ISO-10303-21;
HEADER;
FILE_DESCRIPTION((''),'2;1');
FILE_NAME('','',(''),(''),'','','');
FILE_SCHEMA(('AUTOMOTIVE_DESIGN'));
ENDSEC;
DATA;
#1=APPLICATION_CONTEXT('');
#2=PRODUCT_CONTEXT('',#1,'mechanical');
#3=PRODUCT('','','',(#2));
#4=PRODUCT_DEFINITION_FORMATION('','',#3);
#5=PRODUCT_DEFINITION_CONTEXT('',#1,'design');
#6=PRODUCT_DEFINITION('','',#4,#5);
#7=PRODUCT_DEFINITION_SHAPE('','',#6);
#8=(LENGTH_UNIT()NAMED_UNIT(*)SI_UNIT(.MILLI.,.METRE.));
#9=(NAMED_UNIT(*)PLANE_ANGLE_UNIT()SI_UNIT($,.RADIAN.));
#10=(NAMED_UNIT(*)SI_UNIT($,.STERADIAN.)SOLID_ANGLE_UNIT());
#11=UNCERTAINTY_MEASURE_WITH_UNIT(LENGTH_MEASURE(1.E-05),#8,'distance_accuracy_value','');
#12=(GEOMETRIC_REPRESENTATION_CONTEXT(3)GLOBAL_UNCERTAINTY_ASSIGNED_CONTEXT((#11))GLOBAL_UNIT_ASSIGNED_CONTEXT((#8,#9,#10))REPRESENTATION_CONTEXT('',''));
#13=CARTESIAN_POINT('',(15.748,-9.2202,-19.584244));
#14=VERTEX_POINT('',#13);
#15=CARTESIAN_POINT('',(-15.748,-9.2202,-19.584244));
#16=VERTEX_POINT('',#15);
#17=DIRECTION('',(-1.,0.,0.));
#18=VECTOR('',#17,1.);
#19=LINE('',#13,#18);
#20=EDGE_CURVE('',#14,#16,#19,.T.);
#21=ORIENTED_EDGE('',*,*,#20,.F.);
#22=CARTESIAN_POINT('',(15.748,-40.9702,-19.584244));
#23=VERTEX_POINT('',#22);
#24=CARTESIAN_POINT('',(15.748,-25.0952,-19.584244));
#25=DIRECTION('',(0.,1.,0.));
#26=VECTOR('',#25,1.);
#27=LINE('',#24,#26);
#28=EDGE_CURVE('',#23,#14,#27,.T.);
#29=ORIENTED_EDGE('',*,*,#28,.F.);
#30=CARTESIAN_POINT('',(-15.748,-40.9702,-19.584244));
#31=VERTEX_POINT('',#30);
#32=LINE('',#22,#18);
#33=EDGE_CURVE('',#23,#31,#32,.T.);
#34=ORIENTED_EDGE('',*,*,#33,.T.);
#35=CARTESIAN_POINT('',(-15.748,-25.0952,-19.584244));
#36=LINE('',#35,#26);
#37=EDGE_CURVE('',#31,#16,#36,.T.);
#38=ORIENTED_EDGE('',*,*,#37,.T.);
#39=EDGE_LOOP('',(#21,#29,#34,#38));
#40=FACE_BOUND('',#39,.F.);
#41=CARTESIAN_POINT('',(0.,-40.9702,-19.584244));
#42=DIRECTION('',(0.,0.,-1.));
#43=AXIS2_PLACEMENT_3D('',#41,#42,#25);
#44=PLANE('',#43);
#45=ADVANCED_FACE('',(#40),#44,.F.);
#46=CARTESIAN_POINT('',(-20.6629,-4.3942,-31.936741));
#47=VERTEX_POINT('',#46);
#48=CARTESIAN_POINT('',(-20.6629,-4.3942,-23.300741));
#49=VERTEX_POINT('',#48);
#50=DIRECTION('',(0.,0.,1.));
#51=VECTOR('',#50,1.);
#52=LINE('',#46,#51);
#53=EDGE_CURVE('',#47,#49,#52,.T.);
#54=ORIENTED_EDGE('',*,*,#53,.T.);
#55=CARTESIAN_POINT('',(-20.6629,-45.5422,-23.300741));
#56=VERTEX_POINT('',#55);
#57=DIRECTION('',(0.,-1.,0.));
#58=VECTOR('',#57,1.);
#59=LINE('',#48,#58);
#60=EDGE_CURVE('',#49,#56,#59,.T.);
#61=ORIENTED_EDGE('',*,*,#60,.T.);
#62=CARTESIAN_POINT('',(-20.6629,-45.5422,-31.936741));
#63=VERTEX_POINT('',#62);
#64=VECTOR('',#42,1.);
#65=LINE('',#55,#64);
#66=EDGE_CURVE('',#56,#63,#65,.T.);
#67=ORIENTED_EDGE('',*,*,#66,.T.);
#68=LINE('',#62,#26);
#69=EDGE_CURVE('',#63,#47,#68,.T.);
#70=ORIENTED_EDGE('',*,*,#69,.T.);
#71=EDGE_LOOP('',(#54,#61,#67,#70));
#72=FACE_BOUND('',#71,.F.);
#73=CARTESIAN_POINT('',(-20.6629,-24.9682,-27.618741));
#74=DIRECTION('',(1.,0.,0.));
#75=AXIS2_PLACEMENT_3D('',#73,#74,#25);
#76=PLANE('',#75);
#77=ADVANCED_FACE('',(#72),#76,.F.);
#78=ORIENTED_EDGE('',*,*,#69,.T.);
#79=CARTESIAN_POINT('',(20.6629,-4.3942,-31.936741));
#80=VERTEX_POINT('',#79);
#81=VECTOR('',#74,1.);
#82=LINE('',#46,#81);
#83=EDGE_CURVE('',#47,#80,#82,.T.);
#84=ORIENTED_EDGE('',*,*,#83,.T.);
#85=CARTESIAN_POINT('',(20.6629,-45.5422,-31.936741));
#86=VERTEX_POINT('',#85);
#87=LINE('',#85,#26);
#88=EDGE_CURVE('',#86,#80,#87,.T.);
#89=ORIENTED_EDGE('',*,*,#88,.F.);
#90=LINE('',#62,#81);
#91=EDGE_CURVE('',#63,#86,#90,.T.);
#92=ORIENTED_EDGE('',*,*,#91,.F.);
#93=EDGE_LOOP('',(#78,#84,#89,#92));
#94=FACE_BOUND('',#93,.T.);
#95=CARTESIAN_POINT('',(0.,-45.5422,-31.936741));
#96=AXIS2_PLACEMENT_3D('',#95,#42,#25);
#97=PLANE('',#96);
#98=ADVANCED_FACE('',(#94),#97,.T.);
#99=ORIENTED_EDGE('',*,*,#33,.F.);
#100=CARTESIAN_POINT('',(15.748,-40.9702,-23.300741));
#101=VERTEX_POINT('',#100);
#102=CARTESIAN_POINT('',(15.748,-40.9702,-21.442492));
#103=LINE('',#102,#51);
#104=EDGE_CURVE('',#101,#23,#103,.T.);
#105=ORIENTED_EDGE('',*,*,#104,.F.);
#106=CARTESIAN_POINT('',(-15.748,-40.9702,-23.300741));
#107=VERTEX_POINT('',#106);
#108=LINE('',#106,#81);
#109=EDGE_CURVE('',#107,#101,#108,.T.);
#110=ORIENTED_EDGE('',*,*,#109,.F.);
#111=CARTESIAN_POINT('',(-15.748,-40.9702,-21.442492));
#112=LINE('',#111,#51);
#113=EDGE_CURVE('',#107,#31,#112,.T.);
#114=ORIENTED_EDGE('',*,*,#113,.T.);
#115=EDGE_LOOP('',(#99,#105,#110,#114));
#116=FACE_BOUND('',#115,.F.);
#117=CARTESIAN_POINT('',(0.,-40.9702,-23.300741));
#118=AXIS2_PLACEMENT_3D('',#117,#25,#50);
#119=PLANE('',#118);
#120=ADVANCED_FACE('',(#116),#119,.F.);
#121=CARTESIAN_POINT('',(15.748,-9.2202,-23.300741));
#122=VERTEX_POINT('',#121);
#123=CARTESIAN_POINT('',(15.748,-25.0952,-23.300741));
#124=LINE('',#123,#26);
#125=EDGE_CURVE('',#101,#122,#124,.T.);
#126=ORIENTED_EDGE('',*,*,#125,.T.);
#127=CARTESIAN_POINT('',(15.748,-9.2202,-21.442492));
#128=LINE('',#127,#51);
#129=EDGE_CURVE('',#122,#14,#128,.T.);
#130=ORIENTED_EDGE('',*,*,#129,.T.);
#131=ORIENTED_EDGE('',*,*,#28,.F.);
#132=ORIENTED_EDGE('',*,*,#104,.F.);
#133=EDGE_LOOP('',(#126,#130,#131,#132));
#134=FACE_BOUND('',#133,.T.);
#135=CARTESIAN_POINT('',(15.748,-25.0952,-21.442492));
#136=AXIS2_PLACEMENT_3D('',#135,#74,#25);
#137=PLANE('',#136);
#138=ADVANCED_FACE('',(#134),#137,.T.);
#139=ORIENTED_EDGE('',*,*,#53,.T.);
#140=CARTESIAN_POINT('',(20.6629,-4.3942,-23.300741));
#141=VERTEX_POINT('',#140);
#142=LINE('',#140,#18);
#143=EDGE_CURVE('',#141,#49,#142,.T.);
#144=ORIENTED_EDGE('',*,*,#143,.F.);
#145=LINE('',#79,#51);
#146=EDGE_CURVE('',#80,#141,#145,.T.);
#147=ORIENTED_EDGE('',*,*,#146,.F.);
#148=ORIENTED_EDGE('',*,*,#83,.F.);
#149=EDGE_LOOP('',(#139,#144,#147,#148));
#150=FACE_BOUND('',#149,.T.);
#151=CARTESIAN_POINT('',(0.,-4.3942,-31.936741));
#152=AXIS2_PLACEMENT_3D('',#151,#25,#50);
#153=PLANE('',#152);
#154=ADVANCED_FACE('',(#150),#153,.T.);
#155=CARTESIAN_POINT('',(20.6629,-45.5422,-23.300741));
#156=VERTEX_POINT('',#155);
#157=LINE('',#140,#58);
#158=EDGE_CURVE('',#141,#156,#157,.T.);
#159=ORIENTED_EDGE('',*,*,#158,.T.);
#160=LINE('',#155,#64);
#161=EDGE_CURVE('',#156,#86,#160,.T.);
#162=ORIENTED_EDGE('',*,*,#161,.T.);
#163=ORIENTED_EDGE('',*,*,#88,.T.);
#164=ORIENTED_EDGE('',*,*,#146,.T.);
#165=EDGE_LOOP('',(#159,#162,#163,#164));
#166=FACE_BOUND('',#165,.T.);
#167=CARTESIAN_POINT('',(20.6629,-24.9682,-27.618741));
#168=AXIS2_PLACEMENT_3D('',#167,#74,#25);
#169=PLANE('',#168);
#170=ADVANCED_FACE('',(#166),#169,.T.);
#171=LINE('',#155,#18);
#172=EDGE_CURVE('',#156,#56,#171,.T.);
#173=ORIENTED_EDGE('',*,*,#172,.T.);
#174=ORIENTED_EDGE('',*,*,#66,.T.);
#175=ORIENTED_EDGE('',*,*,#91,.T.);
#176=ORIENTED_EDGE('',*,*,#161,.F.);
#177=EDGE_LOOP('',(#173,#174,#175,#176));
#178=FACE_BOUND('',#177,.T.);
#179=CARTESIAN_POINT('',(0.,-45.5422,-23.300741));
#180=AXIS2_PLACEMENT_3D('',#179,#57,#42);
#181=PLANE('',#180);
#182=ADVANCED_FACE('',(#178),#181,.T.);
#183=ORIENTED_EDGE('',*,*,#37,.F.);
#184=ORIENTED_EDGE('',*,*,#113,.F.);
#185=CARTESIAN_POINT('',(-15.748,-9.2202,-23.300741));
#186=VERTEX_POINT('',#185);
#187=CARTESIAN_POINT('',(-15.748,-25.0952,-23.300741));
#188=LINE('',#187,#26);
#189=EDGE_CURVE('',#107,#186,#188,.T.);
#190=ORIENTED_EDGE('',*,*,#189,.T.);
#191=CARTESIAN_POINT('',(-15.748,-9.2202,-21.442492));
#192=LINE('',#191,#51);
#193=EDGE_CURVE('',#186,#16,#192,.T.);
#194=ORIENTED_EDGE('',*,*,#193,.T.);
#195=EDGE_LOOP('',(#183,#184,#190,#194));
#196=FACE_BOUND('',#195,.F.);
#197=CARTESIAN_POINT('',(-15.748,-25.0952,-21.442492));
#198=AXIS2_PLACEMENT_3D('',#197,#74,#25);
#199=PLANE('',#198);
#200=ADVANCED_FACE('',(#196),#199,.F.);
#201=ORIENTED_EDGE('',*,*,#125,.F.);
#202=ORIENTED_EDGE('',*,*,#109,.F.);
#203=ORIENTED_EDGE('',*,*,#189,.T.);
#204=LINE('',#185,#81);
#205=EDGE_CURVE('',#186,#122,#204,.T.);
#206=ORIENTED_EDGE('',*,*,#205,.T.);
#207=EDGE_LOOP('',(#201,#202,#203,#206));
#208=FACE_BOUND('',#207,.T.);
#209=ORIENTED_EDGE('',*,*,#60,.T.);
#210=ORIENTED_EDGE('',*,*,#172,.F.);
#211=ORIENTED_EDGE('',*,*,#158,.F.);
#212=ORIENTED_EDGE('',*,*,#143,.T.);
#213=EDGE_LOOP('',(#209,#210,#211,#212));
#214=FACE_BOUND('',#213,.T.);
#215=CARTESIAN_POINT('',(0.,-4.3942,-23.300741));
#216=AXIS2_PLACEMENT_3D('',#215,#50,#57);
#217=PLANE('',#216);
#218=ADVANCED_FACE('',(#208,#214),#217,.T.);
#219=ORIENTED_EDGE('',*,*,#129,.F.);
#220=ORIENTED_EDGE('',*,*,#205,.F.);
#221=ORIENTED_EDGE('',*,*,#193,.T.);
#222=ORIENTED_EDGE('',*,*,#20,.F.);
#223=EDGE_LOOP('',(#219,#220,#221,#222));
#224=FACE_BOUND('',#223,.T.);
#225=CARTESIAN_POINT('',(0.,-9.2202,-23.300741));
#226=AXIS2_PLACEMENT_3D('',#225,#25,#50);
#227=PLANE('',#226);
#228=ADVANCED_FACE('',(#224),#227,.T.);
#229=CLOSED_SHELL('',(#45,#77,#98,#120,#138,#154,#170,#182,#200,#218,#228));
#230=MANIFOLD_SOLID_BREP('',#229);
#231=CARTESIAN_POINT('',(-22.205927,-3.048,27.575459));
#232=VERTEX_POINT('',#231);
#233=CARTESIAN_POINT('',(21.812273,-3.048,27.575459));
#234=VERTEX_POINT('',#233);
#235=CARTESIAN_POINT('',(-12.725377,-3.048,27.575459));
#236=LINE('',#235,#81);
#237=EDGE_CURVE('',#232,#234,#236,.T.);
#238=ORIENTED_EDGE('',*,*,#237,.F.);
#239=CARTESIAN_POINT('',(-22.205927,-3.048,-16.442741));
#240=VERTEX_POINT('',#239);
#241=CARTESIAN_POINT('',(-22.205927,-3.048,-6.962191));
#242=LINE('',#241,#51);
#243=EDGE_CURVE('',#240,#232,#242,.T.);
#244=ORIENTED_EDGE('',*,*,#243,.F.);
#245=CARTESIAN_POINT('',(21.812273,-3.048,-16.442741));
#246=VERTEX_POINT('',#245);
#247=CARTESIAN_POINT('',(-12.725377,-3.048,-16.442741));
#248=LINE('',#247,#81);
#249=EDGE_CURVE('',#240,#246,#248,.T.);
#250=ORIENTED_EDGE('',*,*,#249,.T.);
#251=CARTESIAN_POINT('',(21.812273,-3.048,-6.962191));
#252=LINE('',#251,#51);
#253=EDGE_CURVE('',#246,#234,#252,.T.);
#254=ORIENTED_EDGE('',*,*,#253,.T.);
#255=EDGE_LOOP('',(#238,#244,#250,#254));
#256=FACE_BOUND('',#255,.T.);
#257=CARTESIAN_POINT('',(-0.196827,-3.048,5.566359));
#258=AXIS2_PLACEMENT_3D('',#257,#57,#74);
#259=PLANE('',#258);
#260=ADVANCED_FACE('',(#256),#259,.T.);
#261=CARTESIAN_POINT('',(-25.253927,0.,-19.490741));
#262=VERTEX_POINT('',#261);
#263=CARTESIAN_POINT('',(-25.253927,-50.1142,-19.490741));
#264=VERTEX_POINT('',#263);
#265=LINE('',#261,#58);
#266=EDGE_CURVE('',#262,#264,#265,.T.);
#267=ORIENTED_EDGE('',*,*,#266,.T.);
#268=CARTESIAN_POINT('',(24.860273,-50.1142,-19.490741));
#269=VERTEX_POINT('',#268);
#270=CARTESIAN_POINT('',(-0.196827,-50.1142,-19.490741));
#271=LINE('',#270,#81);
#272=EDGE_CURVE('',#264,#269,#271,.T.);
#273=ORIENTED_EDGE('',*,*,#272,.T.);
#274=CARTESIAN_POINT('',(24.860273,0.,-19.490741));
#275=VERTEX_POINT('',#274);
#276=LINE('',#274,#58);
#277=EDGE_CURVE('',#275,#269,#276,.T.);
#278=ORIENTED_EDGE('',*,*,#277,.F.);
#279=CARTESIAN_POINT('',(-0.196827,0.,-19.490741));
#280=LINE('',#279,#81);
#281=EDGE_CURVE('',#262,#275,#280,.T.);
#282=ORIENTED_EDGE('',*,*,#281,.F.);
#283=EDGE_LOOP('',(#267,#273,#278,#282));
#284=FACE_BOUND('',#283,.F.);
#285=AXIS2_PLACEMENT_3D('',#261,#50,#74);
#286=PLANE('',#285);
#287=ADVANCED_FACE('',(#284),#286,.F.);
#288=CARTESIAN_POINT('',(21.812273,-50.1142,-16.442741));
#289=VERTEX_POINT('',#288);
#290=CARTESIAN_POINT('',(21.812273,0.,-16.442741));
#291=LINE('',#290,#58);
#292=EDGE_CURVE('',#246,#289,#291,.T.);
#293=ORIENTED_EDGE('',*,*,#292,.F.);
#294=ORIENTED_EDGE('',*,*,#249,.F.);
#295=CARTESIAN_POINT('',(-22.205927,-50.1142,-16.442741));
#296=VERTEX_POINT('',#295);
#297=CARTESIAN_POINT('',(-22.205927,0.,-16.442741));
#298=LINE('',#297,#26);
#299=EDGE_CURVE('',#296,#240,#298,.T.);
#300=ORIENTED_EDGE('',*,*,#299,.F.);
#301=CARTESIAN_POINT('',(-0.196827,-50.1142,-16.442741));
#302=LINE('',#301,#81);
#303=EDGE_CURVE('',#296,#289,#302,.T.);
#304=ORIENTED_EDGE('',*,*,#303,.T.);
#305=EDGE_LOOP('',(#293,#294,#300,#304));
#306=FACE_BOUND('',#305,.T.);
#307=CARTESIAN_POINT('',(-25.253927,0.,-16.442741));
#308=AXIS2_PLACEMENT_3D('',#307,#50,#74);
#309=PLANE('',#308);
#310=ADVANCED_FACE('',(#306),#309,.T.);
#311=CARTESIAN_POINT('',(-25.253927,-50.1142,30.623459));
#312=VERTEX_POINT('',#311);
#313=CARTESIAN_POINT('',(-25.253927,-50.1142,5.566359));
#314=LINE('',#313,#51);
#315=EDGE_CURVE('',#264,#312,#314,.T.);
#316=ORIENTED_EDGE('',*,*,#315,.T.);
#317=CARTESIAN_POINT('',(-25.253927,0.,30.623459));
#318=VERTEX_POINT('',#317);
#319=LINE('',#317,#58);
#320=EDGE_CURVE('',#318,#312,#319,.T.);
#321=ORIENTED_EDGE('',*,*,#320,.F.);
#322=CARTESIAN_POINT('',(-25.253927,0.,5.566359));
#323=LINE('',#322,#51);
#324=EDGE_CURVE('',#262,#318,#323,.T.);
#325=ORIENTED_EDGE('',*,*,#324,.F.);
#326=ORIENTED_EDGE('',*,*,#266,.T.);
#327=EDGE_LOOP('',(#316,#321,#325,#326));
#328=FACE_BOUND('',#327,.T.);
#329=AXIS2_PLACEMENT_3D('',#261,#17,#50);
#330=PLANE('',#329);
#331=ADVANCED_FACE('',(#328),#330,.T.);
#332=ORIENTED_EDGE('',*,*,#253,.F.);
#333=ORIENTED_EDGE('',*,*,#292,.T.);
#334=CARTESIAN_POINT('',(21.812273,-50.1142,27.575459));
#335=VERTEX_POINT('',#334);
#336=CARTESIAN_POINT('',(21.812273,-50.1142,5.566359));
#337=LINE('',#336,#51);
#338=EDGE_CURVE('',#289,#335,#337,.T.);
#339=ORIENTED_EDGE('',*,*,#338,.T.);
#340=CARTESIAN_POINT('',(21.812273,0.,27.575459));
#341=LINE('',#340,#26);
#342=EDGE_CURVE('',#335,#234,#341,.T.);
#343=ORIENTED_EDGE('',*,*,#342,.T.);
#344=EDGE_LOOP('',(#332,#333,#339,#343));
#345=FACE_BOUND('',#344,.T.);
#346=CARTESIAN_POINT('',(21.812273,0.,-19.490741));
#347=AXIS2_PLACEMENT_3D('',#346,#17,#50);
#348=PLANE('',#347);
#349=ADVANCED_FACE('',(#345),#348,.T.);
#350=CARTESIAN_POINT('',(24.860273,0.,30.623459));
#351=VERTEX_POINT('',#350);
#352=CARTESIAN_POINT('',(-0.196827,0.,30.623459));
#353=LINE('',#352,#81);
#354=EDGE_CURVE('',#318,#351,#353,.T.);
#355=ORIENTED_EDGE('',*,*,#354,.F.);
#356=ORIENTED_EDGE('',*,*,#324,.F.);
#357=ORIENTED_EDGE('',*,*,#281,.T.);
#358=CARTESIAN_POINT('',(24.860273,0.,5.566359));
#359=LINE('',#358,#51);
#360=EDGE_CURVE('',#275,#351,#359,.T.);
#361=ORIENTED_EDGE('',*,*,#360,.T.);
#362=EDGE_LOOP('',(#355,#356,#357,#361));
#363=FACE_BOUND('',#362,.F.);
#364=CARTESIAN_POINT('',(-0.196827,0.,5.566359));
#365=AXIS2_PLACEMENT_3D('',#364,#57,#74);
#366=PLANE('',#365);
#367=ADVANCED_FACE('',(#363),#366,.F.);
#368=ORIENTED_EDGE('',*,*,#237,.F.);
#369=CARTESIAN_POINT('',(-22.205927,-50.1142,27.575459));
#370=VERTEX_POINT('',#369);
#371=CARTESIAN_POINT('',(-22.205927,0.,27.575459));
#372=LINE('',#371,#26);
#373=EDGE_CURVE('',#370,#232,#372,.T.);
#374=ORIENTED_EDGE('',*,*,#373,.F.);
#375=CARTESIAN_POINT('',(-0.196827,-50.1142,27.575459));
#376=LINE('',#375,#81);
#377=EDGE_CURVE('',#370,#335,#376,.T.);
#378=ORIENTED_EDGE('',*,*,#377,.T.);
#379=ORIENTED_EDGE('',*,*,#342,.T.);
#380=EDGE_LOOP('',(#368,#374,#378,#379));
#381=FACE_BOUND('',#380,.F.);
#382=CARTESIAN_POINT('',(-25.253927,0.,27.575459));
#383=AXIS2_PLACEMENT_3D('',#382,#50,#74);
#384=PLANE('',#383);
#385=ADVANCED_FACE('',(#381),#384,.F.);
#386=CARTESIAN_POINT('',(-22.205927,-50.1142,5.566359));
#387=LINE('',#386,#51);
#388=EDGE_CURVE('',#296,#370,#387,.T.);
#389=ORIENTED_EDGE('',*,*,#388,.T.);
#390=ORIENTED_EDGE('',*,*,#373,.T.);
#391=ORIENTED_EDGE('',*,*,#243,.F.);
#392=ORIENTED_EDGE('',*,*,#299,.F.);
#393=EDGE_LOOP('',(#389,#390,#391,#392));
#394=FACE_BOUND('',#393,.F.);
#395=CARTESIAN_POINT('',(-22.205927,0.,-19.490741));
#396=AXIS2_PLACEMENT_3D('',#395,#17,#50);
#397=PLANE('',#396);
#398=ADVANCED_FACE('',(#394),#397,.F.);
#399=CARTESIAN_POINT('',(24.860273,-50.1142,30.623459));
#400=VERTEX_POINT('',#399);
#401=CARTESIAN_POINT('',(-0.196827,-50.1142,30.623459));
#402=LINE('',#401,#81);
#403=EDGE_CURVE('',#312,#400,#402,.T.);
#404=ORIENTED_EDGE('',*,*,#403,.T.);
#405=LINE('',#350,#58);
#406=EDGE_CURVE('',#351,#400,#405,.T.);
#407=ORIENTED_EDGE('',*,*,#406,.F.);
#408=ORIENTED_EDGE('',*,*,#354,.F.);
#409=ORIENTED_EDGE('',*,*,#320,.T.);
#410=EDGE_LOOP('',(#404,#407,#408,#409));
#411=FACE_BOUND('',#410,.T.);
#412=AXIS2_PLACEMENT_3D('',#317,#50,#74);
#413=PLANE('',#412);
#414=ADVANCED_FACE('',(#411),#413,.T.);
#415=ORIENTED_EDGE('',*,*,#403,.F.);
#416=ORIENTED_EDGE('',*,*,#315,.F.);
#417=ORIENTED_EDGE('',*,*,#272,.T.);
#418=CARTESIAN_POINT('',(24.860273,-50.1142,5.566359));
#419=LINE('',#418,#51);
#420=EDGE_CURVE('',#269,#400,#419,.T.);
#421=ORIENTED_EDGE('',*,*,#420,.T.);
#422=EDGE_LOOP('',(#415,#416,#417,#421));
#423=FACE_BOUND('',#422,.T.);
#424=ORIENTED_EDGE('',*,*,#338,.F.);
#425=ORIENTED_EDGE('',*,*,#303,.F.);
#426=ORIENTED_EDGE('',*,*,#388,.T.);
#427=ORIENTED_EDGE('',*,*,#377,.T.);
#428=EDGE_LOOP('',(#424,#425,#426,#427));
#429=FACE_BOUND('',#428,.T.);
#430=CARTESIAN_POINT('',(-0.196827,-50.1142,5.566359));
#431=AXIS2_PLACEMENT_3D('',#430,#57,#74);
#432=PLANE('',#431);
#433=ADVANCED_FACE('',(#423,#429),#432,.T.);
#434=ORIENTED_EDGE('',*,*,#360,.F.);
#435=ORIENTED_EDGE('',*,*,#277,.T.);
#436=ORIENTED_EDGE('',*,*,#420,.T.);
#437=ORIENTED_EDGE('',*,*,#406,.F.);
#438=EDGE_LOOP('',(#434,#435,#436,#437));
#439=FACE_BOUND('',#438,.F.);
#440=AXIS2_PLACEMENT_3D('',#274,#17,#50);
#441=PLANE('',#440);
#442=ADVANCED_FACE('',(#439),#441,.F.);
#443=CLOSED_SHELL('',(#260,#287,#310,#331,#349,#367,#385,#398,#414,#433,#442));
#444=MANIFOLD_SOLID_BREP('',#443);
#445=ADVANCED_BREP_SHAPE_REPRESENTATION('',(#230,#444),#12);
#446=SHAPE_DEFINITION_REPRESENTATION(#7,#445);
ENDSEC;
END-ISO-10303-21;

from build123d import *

# Parameters (mm, degrees)
F0_W     = 50.1142
F0_H     = 50.1142
F1_DEPTH = 50.1142
F2_T     = -3.048
F3_W     = 31.75
F3_H     = 3.7164964166
F4_DEPTH = 15.748
F5_DEPTH = 20.6629


with BuildPart() as f1:
    # F0 (on Front) → F1 (new body)
    with BuildSketch(Plane.XZ):
        with Locations((-0.1968266442, 5.5663594662)):
            Rectangle(F0_W, F0_H)
    extrude(amount=F1_DEPTH)

    # F2
    f2_openings = [f1.faces().sort_by_distance(p)[0] for p in [
        (-0.196827, -50.1142, 5.566359),
    ]]
    offset(amount=F2_T, openings=f2_openings)


with BuildPart() as f4:
    # F3 (on Right) → F4 (new body, symmetric)
    with BuildSketch(Plane.YZ):
        with Locations((-25.0952, -21.4424923255)):
            Rectangle(F3_W, F3_H)
    extrude(amount=F4_DEPTH, both=True)

    # F3 (on Right) → F5 (join, symmetric)
    with BuildSketch(Plane.YZ):
        Polygon((-9.2202, -23.3007405338), (-40.9702, -23.3007405338), (-45.5422, -23.3007405338), (-45.5422, -31.9367405338), (-4.3942, -31.9367405338), (-4.3942, -23.3007405338), align=None)
    extrude(amount=F5_DEPTH, both=True)


solid = Compound([f1.part, f4.part])
